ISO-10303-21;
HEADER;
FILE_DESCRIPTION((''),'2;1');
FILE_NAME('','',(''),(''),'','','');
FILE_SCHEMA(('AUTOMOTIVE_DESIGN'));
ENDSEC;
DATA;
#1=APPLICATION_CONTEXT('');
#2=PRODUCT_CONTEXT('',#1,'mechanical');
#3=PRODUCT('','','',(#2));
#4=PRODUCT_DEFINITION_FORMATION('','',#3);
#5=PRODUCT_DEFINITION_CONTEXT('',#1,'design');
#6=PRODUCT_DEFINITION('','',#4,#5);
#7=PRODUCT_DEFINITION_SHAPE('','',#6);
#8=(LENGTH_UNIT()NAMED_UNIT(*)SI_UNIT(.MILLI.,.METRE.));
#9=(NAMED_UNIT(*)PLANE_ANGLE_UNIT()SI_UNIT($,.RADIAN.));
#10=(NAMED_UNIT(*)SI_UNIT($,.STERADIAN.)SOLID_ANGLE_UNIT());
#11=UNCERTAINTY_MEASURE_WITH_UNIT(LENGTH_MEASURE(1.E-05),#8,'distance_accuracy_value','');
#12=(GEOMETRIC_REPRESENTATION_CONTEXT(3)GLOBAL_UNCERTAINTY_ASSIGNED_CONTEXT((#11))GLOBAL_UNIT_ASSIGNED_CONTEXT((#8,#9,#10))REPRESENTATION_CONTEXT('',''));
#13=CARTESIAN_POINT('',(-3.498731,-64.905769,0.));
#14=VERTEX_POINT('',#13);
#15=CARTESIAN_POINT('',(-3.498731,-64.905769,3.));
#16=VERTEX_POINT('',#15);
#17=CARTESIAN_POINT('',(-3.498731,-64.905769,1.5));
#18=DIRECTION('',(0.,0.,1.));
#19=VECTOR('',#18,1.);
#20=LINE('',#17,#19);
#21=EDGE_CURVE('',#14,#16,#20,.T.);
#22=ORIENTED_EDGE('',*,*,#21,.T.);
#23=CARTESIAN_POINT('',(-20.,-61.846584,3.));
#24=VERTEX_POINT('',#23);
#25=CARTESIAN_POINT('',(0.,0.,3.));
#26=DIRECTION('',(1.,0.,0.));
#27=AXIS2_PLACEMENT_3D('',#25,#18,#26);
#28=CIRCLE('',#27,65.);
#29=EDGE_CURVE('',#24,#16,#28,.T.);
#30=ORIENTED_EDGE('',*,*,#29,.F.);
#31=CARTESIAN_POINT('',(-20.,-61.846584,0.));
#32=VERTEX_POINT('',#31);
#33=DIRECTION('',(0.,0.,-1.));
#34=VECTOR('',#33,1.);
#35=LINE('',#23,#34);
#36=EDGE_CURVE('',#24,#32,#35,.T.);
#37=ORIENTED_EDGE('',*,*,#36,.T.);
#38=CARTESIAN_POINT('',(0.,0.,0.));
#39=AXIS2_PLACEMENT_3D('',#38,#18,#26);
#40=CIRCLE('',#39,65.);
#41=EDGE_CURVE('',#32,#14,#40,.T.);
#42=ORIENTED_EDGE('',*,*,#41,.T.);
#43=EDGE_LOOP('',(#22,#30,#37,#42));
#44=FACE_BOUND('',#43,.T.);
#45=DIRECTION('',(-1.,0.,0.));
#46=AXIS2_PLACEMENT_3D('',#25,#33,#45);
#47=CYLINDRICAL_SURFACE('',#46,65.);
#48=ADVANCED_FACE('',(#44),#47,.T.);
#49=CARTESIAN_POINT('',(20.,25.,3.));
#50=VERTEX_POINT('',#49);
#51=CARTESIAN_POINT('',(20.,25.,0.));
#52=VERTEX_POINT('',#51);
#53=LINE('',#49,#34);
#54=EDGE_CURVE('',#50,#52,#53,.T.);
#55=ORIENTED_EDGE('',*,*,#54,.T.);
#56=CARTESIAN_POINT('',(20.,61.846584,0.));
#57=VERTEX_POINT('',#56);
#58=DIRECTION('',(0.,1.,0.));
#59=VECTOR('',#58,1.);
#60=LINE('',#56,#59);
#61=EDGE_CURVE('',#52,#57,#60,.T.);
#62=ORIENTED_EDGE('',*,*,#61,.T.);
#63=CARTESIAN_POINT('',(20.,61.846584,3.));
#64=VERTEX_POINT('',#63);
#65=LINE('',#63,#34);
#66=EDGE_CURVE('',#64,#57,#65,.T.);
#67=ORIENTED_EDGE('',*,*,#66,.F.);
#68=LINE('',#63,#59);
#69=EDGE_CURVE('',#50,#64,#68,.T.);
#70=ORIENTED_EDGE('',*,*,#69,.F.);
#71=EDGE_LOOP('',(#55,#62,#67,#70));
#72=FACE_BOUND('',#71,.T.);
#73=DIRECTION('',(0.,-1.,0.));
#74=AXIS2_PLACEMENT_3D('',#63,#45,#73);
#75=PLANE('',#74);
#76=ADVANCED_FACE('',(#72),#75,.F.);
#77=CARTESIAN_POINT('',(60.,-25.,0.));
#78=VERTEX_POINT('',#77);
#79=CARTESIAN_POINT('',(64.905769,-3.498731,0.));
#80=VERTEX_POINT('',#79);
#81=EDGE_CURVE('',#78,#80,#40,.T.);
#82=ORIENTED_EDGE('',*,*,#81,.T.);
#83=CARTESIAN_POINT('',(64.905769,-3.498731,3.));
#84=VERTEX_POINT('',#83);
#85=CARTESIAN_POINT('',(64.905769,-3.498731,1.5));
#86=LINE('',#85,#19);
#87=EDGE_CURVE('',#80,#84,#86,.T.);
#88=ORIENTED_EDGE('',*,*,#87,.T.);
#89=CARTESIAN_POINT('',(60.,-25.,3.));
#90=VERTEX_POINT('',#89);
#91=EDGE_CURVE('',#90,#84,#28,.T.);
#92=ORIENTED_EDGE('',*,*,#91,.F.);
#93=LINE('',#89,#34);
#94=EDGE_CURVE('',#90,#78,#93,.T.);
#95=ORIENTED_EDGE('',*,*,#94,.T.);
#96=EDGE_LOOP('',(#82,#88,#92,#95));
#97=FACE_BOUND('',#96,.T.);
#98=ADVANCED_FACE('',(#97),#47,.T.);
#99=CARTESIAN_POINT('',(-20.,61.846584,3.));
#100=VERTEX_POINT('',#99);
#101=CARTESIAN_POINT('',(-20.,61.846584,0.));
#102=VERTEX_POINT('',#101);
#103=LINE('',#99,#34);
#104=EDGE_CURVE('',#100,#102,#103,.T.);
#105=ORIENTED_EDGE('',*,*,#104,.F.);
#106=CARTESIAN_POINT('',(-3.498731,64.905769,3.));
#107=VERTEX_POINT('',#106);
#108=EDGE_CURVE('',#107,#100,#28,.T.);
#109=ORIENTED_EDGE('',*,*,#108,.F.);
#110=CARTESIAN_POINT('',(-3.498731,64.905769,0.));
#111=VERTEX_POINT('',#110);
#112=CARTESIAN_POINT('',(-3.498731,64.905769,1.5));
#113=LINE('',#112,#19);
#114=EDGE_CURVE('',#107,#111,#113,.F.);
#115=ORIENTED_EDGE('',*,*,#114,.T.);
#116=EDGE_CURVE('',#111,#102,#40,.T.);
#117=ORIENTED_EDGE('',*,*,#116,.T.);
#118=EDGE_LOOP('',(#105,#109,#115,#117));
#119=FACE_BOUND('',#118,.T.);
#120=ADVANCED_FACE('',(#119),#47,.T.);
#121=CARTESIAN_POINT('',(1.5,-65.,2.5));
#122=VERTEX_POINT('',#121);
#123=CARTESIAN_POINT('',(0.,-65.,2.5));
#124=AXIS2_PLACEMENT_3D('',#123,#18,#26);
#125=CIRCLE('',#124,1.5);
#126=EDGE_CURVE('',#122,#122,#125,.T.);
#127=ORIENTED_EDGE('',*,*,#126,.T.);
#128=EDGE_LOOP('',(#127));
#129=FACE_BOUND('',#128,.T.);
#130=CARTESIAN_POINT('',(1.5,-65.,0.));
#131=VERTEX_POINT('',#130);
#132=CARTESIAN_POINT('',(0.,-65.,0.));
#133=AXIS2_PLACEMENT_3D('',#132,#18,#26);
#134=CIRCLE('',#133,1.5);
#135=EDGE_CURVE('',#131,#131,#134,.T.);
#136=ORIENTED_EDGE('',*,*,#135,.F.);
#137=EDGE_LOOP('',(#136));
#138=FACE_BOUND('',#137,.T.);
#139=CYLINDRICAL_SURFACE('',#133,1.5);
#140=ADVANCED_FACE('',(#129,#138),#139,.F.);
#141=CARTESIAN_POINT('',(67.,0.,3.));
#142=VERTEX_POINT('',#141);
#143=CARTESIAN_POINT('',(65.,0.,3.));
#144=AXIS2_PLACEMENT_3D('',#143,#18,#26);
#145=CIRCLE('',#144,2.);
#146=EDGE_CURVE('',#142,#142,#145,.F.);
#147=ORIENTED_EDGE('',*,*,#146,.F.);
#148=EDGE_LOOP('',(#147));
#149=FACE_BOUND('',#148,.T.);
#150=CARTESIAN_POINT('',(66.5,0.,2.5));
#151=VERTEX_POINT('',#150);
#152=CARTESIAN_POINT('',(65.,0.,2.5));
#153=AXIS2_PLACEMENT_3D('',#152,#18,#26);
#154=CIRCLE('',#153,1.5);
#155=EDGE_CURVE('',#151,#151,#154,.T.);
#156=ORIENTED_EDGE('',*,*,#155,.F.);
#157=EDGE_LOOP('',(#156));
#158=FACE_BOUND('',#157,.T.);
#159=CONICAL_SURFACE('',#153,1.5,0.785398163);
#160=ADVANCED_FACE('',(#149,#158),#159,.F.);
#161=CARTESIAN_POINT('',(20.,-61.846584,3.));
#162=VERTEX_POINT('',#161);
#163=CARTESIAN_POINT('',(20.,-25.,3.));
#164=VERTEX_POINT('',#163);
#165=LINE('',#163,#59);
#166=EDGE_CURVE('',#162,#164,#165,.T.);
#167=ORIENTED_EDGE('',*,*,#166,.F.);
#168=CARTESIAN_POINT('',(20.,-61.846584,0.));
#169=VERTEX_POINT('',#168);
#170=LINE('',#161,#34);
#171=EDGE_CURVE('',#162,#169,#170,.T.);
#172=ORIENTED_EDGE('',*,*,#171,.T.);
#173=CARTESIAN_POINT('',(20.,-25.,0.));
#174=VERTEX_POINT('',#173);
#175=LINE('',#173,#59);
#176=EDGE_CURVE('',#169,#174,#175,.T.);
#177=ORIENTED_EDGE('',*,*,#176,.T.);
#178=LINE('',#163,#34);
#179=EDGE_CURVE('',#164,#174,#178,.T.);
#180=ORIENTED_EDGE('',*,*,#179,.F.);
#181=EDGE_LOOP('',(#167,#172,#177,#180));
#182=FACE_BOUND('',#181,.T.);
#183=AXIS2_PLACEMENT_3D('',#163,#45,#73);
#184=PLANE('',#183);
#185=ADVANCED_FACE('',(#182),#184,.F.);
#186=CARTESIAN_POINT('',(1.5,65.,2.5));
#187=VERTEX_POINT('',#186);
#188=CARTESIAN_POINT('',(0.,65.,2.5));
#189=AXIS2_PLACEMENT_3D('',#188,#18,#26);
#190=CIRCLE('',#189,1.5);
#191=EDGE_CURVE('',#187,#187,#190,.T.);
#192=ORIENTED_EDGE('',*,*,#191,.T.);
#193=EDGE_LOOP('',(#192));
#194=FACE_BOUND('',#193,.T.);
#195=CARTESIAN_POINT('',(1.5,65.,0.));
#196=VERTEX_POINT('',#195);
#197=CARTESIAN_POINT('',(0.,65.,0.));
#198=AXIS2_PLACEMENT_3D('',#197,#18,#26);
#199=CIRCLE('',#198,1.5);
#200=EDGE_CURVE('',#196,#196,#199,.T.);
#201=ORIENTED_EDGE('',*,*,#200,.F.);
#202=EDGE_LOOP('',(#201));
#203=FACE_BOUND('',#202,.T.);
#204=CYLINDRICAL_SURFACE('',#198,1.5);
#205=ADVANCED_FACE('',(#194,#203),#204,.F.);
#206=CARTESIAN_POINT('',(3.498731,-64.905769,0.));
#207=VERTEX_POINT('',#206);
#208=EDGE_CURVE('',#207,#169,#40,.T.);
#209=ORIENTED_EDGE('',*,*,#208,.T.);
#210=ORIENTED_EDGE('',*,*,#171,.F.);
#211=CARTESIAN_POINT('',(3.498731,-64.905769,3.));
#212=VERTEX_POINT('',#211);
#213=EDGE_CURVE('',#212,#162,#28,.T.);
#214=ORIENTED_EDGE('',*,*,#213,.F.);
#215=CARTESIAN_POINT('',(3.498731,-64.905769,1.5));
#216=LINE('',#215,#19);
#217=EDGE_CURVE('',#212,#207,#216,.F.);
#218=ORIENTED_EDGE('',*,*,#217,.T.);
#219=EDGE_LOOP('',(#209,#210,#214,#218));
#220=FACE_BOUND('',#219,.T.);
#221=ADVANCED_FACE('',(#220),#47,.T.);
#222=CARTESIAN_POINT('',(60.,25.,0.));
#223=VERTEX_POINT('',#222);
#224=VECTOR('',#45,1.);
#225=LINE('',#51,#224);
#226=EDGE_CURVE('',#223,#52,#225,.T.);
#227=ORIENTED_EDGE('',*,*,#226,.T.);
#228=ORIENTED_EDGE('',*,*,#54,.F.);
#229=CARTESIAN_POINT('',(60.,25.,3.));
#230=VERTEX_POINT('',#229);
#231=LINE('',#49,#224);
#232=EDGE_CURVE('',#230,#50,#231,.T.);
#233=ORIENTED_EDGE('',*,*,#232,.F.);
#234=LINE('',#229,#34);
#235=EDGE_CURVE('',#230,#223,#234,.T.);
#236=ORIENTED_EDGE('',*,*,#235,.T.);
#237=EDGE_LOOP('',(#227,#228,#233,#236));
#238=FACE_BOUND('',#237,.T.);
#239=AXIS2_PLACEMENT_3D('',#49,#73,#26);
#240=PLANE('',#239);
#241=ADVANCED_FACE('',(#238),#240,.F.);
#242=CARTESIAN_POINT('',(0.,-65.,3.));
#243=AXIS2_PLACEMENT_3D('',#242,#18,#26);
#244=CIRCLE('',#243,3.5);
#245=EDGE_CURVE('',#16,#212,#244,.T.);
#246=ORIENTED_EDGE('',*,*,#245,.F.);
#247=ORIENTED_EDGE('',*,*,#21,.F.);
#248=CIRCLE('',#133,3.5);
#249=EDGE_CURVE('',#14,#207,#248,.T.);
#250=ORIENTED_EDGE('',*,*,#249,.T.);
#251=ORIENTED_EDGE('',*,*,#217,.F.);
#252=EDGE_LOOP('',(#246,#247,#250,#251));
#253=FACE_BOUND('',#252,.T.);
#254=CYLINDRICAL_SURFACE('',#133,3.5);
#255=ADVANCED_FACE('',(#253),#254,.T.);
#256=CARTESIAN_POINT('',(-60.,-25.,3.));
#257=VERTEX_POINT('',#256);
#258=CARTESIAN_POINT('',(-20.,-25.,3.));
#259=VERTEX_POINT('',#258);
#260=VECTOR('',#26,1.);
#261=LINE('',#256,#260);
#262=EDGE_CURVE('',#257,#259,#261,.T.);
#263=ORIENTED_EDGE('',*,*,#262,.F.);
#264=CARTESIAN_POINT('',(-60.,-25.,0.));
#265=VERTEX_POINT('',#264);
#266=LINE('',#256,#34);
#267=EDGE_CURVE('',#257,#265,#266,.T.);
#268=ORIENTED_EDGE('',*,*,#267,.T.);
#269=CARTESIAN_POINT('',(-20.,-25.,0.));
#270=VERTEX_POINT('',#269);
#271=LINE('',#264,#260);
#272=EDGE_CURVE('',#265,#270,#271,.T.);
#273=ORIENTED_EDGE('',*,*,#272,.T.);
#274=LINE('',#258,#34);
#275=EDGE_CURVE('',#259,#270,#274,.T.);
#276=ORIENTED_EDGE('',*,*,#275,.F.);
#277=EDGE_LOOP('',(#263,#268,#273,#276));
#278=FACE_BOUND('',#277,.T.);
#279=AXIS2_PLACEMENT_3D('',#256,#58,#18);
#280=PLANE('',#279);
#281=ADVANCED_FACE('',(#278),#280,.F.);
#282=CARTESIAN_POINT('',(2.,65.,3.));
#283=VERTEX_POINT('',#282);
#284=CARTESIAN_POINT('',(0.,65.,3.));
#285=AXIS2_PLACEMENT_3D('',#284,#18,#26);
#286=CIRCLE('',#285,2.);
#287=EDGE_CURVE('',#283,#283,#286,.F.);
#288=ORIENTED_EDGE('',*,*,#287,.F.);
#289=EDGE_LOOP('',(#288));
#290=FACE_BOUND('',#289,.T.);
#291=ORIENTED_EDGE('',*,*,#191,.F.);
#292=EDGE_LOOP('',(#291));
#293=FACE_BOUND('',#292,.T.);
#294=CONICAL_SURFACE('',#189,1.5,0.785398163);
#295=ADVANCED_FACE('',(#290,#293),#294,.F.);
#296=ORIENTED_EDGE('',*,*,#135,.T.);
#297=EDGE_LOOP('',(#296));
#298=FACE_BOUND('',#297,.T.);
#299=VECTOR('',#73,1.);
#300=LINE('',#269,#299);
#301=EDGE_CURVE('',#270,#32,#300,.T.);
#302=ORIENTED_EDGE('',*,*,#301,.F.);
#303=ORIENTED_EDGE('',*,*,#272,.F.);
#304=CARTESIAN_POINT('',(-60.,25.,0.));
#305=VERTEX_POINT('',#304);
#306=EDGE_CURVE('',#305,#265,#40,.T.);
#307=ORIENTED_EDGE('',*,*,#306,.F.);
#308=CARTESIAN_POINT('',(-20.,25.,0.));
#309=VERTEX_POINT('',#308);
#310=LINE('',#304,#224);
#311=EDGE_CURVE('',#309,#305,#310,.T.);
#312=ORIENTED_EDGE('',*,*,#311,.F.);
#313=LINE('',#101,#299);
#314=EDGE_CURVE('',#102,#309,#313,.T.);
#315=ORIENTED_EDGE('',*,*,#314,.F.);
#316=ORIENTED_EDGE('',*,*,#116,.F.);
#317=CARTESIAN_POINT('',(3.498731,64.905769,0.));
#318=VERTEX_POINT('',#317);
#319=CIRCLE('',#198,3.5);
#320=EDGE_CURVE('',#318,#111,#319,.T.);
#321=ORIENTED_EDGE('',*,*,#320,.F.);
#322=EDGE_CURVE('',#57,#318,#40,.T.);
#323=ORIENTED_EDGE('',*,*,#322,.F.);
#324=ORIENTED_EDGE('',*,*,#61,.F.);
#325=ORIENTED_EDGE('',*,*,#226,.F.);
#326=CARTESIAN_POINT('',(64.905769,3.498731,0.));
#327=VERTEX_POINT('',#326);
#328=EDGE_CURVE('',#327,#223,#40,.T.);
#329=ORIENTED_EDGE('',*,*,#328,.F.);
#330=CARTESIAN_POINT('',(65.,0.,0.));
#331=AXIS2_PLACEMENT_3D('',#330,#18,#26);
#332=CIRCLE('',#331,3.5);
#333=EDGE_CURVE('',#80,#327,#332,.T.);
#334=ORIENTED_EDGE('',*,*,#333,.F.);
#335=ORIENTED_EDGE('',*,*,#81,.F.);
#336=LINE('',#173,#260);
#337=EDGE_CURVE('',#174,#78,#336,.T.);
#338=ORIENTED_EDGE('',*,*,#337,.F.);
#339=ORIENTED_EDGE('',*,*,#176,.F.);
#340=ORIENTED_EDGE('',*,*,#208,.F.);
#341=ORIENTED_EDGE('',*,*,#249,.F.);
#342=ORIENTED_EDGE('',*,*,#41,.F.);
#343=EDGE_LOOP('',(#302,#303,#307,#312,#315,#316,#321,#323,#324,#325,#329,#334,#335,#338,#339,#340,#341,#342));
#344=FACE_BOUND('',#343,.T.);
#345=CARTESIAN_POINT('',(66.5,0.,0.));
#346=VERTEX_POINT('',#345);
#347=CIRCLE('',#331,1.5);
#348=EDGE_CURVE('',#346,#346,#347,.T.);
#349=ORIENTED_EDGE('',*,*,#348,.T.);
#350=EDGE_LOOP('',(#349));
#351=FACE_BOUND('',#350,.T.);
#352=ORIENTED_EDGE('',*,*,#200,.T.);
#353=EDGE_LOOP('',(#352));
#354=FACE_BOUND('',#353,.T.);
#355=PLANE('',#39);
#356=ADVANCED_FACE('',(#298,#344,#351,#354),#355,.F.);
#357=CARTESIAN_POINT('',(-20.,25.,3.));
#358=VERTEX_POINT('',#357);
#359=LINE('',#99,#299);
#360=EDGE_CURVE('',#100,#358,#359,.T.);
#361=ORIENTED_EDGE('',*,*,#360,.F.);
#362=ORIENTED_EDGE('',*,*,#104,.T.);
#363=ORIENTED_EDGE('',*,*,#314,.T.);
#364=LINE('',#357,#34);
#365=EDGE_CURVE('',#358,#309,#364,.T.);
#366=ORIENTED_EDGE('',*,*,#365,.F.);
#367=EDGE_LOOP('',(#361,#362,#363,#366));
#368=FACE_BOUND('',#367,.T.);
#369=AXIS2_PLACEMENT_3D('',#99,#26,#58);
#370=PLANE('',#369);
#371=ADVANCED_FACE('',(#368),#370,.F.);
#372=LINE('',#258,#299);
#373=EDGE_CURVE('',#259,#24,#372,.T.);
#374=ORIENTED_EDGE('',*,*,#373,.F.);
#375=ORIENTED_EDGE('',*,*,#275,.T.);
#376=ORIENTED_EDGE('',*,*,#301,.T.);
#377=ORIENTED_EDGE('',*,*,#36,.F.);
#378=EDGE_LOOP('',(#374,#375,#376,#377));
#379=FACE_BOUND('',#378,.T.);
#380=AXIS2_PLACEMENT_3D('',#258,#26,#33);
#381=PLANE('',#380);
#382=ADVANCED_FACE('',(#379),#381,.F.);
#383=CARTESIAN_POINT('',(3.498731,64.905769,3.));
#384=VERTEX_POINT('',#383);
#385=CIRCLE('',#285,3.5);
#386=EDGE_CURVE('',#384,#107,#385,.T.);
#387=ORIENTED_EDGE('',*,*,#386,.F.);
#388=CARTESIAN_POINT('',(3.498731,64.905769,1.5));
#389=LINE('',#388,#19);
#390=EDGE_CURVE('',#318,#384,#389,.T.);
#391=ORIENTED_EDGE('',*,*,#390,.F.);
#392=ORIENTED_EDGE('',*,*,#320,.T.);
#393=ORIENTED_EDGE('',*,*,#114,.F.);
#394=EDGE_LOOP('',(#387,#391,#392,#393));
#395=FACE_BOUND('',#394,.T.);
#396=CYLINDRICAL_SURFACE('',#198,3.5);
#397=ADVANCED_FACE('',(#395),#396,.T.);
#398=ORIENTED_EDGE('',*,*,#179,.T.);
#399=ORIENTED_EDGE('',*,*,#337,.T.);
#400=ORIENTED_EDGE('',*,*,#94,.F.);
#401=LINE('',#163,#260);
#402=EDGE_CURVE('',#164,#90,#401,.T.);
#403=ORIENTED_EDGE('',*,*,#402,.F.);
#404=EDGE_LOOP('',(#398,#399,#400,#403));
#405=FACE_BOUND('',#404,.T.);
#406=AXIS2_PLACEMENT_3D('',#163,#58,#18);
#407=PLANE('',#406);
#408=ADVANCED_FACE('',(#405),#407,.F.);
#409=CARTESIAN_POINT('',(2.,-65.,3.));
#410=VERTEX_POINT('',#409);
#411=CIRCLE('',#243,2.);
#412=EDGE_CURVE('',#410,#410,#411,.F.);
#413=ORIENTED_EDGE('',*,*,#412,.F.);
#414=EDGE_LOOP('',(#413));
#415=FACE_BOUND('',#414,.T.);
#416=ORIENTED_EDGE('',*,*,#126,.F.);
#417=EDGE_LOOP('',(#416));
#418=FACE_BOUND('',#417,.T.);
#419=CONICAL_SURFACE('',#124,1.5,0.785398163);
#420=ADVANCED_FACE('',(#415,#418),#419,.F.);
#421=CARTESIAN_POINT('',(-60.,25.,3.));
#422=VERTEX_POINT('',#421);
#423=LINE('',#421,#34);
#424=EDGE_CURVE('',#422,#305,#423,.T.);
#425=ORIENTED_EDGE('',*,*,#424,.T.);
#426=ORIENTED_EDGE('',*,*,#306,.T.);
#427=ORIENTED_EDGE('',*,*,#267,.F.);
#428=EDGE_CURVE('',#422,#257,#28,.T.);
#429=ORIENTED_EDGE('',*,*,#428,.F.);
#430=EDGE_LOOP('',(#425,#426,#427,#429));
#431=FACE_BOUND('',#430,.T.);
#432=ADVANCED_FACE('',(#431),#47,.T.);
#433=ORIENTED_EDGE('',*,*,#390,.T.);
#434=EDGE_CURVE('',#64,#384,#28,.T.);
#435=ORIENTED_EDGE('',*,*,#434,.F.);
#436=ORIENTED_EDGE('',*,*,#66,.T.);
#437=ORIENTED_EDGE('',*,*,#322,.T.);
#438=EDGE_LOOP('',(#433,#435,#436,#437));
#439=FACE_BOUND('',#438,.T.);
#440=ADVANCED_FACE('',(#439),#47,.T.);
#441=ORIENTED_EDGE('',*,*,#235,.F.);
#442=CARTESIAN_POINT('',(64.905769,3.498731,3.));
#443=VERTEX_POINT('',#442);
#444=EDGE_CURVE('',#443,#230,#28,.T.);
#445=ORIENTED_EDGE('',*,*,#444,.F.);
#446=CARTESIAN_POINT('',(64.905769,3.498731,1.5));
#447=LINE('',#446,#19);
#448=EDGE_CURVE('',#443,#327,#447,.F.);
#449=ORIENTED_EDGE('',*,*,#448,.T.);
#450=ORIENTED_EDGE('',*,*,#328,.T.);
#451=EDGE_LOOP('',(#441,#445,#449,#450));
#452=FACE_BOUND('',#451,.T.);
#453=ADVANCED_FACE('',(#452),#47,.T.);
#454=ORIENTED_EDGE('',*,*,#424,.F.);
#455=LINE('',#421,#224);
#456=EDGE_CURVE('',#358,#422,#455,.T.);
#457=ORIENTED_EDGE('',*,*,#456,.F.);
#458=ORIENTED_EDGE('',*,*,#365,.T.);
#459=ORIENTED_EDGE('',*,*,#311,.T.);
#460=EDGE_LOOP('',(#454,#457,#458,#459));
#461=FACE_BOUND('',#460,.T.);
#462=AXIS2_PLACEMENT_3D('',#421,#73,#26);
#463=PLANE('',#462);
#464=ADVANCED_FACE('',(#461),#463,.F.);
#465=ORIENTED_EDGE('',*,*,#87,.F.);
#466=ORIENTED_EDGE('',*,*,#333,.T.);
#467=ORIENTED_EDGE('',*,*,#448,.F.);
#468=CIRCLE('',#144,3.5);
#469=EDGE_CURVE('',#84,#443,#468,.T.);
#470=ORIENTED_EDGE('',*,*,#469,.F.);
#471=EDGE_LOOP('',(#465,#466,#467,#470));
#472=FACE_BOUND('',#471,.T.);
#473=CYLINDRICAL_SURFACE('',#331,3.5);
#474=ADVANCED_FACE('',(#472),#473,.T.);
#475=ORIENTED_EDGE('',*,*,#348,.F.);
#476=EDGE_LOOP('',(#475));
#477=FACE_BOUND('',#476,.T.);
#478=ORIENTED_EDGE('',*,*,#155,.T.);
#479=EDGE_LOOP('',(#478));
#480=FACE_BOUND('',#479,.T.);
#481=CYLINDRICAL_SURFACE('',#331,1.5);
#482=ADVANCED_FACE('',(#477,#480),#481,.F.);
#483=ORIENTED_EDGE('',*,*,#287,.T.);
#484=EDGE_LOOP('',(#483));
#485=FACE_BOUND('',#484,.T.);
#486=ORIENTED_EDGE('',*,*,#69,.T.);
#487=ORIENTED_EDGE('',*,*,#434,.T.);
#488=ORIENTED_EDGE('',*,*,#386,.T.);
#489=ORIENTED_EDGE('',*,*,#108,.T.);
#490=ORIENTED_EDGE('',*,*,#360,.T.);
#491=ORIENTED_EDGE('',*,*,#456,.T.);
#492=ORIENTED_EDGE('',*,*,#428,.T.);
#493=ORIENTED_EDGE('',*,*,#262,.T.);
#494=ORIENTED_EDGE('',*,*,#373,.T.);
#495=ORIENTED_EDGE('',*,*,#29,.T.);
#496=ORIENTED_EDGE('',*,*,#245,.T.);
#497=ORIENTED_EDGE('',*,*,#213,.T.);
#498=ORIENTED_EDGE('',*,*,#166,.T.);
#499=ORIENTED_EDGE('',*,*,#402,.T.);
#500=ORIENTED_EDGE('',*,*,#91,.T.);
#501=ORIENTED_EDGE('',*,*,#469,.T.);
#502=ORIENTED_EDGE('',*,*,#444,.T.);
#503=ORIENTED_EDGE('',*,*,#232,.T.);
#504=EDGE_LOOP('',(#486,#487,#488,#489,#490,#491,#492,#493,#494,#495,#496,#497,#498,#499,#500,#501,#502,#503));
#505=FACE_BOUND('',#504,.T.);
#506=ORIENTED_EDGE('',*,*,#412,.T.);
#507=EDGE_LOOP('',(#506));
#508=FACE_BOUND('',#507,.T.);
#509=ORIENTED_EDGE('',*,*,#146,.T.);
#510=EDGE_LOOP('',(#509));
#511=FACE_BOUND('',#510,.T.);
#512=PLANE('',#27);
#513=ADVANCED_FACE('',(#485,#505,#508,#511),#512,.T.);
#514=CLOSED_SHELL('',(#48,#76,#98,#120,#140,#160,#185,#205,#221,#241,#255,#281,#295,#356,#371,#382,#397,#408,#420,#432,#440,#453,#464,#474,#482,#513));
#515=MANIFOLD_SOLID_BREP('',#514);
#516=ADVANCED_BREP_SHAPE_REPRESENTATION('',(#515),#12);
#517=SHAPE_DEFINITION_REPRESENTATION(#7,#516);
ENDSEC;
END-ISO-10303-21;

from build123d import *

# Parameters (mm, degrees)
EXTRUDE_1_DEPTH     = 3
SKETCH_2_R          = 3.5
EXTRUDE_2_DEPTH     = 3
SKETCH_3_R          = 1.5
CUT_EXTRUDE_1_DEPTH = 3
CHAMFER_1_SIZE      = 0.5


with BuildPart() as part:
    # 草图1 → 凸台-拉伸1 (new body)
    with BuildSketch(Plane.XY):
        with BuildLine():
            Line((20, -25), (20, -61.846584384))
            ThreePointArc((20, -61.846584384), (0, -65), (-20, -61.846584384))
            Line((-20, -61.846584384), (-20, -25))
            Line((-20, -25), (-60, -25))
            ThreePointArc((-60, -25), (-65, 0), (-60, 25))
            Line((-60, 25), (-20, 25))
            Line((-20, 25), (-20, 61.846584384))
            ThreePointArc((-20, 61.846584384), (0, 65), (20, 61.846584384))
            Line((20, 61.846584384), (20, 25))
            Line((20, 25), (60, 25))
            ThreePointArc((60, 25), (65, 0), (60, -25))
            Line((60, -25), (20, -25))
        make_face()
    extrude(amount=EXTRUDE_1_DEPTH)

    # 草图2 → 凸台-拉伸2 (add)
    with BuildSketch(Plane.XY.offset(3)):
        with Locations((65, 0)):
            Circle(SKETCH_2_R)
        with Locations((0, 65)):
            Circle(SKETCH_2_R)
        with Locations((0, -65)):
            Circle(SKETCH_2_R)
    extrude(amount=-EXTRUDE_2_DEPTH)

    # 草图3 → 切除-拉伸1 (cut)
    with BuildSketch(Plane.XY.offset(3)):
        with Locations((0, 65)):
            Circle(SKETCH_3_R)
        with Locations((65, 0)):
            Circle(SKETCH_3_R)
        with Locations((0, -65)):
            Circle(SKETCH_3_R)
    extrude(amount=-CUT_EXTRUDE_1_DEPTH, mode=Mode.SUBTRACT)

    # 倒角1
    chamfer_1_edges = [part.edges().sort_by_distance(p)[0] for p in [
        (-1.5, 65, 3),
        (63.5, 0, 3),
        (-1.5, -65, 3),
    ]]
    chamfer(chamfer_1_edges, length=CHAMFER_1_SIZE)


solid = part.part
